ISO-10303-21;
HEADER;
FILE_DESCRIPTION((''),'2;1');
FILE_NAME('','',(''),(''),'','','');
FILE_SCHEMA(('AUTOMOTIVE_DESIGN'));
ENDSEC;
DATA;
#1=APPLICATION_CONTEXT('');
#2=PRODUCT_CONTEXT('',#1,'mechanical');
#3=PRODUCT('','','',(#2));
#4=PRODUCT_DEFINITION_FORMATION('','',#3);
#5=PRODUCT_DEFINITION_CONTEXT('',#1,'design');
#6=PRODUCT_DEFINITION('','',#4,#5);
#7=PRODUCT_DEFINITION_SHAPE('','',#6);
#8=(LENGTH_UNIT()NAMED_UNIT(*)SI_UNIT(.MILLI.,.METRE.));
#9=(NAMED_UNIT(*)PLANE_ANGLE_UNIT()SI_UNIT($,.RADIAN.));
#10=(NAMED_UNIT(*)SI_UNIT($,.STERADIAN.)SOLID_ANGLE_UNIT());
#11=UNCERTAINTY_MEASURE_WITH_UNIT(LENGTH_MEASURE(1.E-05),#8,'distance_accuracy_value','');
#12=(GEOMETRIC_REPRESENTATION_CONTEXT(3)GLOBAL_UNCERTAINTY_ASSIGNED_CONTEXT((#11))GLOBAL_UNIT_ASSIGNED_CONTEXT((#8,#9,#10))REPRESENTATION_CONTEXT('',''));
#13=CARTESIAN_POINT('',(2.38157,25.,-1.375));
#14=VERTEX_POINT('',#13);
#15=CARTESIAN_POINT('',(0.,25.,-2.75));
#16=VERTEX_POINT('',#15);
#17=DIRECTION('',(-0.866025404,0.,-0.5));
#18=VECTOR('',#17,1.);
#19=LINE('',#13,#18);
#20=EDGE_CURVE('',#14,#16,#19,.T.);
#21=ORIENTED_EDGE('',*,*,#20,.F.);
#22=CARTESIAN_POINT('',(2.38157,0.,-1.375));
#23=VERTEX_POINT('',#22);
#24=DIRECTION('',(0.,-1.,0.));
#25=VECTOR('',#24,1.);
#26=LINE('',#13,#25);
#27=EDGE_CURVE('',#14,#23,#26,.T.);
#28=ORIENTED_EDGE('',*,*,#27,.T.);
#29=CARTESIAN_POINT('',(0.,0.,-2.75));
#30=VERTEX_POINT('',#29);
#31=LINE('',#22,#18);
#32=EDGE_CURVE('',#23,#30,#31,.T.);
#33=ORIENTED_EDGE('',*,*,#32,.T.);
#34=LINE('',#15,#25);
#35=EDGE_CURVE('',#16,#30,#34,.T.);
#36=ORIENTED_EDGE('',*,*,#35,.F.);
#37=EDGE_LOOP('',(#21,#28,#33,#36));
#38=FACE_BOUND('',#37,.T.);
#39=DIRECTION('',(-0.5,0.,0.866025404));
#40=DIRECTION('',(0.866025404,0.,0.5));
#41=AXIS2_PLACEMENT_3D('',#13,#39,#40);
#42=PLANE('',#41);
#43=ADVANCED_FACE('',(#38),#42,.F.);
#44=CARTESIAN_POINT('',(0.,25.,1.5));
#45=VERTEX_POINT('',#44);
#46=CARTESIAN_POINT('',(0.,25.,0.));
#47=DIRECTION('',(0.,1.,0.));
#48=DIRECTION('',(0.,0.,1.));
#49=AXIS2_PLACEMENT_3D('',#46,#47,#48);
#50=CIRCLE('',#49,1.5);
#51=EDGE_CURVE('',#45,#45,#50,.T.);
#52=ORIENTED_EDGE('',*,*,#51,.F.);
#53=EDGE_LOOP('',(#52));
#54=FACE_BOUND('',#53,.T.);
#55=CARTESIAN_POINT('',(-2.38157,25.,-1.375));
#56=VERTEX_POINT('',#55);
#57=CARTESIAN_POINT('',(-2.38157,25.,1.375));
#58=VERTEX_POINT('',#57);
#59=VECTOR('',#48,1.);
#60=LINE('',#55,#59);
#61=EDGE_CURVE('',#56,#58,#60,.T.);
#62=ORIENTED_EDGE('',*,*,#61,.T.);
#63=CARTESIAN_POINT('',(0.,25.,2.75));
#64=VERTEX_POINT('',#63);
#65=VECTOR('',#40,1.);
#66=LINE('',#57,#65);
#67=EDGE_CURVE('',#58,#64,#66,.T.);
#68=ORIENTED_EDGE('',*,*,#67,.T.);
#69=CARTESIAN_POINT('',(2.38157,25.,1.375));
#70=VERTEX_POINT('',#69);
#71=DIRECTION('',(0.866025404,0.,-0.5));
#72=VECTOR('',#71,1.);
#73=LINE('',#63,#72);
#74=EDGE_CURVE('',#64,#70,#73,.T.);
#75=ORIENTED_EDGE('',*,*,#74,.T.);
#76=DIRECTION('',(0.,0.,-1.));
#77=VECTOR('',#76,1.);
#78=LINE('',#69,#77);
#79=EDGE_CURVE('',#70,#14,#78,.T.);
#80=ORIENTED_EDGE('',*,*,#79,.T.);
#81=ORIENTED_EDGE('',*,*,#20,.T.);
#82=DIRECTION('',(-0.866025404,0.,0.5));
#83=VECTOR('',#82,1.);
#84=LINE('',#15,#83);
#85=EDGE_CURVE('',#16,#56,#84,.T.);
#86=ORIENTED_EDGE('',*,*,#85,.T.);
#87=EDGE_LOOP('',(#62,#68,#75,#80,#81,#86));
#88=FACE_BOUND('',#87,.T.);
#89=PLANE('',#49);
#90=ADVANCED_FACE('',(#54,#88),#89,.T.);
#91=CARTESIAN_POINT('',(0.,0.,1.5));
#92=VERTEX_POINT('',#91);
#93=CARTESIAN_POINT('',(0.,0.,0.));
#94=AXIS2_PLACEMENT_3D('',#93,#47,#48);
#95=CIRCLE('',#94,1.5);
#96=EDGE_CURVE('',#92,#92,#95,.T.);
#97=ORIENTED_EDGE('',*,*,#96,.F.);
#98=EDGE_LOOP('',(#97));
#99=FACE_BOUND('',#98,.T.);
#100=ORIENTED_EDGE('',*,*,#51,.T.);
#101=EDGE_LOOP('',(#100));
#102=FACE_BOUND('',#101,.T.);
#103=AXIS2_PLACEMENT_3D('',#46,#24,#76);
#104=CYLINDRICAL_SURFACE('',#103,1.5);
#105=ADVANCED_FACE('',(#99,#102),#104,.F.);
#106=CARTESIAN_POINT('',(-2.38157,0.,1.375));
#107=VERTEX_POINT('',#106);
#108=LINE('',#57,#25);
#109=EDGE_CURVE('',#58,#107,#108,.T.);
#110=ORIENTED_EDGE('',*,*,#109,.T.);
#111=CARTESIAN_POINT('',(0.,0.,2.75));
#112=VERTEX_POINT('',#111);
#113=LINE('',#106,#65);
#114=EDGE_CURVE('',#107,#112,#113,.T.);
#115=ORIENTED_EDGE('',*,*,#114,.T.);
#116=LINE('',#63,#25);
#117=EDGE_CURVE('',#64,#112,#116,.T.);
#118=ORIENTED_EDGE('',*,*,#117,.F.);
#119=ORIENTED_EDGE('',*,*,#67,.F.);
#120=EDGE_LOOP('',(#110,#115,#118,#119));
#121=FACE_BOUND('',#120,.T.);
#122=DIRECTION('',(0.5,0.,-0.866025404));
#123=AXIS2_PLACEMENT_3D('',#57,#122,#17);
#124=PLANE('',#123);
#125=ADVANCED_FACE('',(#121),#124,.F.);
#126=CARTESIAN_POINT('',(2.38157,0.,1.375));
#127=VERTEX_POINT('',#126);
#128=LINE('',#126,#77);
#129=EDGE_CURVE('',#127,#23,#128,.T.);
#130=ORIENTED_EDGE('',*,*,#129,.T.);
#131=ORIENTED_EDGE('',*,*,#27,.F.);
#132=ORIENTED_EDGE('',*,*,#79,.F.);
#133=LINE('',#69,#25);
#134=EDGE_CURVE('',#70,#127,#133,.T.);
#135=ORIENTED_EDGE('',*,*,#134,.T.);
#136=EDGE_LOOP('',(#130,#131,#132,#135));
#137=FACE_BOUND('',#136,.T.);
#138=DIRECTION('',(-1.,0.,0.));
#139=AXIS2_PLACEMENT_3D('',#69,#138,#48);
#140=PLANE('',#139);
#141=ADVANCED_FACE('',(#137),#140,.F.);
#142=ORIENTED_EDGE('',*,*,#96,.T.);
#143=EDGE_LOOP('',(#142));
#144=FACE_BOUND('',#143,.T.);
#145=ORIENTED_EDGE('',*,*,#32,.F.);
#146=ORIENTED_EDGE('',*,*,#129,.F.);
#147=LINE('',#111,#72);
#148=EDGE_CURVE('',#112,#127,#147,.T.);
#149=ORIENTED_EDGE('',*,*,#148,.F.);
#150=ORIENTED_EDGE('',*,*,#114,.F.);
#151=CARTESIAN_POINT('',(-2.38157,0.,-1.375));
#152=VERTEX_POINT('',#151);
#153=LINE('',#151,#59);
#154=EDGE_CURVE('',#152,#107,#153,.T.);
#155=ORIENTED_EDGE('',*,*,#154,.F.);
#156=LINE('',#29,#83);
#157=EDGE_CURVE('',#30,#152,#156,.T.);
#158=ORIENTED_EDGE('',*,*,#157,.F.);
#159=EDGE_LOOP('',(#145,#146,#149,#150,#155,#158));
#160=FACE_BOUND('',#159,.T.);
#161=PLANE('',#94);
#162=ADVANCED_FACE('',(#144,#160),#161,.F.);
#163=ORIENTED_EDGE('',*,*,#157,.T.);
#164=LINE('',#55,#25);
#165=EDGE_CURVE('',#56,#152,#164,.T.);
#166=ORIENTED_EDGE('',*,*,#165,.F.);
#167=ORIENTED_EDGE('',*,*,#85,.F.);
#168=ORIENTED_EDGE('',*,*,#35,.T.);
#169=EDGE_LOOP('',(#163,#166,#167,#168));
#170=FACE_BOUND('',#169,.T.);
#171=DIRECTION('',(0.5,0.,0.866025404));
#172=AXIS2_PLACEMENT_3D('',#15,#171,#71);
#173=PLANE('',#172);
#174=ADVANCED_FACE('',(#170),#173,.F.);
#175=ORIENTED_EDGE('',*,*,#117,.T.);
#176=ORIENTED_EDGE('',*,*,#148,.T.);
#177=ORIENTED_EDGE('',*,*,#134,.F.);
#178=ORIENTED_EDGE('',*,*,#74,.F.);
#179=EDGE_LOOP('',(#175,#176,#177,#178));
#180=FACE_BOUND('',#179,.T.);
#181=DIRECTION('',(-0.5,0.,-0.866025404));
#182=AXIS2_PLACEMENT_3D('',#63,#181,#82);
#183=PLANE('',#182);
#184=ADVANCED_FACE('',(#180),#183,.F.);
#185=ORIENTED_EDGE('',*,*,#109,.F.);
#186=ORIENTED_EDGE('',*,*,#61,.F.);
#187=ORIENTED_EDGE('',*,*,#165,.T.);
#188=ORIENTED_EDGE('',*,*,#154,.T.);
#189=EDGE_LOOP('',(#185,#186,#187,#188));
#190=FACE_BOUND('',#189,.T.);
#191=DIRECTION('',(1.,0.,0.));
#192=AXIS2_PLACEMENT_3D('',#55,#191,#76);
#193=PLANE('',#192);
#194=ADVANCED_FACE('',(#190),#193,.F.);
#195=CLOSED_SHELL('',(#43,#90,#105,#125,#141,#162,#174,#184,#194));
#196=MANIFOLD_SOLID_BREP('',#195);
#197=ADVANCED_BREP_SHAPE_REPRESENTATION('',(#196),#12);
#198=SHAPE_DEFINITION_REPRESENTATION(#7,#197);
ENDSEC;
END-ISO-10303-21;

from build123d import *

# Parameters (mm, degrees)
SKETCH_1_R      = 1.5
EXTRUDE_1_DEPTH = 25


with BuildPart() as part:
    # 草图1 → 凸台-拉伸1 (new body)
    with BuildSketch(Plane(origin=(0, 0, 0), x_dir=(1, 0, 0), z_dir=(0, 1, 0))):
        Polygon((0, 2.75), (-2.38156986, 1.375), (-2.38156986, -1.375), (0, -2.75), (2.38156986, -1.375), (2.38156986, 1.375), align=None)
        with Locations(Location((0, 0, 0), (0, 0, 270))):
            Circle(SKETCH_1_R, mode=Mode.SUBTRACT)
    extrude(amount=EXTRUDE_1_DEPTH)


solid = part.part
